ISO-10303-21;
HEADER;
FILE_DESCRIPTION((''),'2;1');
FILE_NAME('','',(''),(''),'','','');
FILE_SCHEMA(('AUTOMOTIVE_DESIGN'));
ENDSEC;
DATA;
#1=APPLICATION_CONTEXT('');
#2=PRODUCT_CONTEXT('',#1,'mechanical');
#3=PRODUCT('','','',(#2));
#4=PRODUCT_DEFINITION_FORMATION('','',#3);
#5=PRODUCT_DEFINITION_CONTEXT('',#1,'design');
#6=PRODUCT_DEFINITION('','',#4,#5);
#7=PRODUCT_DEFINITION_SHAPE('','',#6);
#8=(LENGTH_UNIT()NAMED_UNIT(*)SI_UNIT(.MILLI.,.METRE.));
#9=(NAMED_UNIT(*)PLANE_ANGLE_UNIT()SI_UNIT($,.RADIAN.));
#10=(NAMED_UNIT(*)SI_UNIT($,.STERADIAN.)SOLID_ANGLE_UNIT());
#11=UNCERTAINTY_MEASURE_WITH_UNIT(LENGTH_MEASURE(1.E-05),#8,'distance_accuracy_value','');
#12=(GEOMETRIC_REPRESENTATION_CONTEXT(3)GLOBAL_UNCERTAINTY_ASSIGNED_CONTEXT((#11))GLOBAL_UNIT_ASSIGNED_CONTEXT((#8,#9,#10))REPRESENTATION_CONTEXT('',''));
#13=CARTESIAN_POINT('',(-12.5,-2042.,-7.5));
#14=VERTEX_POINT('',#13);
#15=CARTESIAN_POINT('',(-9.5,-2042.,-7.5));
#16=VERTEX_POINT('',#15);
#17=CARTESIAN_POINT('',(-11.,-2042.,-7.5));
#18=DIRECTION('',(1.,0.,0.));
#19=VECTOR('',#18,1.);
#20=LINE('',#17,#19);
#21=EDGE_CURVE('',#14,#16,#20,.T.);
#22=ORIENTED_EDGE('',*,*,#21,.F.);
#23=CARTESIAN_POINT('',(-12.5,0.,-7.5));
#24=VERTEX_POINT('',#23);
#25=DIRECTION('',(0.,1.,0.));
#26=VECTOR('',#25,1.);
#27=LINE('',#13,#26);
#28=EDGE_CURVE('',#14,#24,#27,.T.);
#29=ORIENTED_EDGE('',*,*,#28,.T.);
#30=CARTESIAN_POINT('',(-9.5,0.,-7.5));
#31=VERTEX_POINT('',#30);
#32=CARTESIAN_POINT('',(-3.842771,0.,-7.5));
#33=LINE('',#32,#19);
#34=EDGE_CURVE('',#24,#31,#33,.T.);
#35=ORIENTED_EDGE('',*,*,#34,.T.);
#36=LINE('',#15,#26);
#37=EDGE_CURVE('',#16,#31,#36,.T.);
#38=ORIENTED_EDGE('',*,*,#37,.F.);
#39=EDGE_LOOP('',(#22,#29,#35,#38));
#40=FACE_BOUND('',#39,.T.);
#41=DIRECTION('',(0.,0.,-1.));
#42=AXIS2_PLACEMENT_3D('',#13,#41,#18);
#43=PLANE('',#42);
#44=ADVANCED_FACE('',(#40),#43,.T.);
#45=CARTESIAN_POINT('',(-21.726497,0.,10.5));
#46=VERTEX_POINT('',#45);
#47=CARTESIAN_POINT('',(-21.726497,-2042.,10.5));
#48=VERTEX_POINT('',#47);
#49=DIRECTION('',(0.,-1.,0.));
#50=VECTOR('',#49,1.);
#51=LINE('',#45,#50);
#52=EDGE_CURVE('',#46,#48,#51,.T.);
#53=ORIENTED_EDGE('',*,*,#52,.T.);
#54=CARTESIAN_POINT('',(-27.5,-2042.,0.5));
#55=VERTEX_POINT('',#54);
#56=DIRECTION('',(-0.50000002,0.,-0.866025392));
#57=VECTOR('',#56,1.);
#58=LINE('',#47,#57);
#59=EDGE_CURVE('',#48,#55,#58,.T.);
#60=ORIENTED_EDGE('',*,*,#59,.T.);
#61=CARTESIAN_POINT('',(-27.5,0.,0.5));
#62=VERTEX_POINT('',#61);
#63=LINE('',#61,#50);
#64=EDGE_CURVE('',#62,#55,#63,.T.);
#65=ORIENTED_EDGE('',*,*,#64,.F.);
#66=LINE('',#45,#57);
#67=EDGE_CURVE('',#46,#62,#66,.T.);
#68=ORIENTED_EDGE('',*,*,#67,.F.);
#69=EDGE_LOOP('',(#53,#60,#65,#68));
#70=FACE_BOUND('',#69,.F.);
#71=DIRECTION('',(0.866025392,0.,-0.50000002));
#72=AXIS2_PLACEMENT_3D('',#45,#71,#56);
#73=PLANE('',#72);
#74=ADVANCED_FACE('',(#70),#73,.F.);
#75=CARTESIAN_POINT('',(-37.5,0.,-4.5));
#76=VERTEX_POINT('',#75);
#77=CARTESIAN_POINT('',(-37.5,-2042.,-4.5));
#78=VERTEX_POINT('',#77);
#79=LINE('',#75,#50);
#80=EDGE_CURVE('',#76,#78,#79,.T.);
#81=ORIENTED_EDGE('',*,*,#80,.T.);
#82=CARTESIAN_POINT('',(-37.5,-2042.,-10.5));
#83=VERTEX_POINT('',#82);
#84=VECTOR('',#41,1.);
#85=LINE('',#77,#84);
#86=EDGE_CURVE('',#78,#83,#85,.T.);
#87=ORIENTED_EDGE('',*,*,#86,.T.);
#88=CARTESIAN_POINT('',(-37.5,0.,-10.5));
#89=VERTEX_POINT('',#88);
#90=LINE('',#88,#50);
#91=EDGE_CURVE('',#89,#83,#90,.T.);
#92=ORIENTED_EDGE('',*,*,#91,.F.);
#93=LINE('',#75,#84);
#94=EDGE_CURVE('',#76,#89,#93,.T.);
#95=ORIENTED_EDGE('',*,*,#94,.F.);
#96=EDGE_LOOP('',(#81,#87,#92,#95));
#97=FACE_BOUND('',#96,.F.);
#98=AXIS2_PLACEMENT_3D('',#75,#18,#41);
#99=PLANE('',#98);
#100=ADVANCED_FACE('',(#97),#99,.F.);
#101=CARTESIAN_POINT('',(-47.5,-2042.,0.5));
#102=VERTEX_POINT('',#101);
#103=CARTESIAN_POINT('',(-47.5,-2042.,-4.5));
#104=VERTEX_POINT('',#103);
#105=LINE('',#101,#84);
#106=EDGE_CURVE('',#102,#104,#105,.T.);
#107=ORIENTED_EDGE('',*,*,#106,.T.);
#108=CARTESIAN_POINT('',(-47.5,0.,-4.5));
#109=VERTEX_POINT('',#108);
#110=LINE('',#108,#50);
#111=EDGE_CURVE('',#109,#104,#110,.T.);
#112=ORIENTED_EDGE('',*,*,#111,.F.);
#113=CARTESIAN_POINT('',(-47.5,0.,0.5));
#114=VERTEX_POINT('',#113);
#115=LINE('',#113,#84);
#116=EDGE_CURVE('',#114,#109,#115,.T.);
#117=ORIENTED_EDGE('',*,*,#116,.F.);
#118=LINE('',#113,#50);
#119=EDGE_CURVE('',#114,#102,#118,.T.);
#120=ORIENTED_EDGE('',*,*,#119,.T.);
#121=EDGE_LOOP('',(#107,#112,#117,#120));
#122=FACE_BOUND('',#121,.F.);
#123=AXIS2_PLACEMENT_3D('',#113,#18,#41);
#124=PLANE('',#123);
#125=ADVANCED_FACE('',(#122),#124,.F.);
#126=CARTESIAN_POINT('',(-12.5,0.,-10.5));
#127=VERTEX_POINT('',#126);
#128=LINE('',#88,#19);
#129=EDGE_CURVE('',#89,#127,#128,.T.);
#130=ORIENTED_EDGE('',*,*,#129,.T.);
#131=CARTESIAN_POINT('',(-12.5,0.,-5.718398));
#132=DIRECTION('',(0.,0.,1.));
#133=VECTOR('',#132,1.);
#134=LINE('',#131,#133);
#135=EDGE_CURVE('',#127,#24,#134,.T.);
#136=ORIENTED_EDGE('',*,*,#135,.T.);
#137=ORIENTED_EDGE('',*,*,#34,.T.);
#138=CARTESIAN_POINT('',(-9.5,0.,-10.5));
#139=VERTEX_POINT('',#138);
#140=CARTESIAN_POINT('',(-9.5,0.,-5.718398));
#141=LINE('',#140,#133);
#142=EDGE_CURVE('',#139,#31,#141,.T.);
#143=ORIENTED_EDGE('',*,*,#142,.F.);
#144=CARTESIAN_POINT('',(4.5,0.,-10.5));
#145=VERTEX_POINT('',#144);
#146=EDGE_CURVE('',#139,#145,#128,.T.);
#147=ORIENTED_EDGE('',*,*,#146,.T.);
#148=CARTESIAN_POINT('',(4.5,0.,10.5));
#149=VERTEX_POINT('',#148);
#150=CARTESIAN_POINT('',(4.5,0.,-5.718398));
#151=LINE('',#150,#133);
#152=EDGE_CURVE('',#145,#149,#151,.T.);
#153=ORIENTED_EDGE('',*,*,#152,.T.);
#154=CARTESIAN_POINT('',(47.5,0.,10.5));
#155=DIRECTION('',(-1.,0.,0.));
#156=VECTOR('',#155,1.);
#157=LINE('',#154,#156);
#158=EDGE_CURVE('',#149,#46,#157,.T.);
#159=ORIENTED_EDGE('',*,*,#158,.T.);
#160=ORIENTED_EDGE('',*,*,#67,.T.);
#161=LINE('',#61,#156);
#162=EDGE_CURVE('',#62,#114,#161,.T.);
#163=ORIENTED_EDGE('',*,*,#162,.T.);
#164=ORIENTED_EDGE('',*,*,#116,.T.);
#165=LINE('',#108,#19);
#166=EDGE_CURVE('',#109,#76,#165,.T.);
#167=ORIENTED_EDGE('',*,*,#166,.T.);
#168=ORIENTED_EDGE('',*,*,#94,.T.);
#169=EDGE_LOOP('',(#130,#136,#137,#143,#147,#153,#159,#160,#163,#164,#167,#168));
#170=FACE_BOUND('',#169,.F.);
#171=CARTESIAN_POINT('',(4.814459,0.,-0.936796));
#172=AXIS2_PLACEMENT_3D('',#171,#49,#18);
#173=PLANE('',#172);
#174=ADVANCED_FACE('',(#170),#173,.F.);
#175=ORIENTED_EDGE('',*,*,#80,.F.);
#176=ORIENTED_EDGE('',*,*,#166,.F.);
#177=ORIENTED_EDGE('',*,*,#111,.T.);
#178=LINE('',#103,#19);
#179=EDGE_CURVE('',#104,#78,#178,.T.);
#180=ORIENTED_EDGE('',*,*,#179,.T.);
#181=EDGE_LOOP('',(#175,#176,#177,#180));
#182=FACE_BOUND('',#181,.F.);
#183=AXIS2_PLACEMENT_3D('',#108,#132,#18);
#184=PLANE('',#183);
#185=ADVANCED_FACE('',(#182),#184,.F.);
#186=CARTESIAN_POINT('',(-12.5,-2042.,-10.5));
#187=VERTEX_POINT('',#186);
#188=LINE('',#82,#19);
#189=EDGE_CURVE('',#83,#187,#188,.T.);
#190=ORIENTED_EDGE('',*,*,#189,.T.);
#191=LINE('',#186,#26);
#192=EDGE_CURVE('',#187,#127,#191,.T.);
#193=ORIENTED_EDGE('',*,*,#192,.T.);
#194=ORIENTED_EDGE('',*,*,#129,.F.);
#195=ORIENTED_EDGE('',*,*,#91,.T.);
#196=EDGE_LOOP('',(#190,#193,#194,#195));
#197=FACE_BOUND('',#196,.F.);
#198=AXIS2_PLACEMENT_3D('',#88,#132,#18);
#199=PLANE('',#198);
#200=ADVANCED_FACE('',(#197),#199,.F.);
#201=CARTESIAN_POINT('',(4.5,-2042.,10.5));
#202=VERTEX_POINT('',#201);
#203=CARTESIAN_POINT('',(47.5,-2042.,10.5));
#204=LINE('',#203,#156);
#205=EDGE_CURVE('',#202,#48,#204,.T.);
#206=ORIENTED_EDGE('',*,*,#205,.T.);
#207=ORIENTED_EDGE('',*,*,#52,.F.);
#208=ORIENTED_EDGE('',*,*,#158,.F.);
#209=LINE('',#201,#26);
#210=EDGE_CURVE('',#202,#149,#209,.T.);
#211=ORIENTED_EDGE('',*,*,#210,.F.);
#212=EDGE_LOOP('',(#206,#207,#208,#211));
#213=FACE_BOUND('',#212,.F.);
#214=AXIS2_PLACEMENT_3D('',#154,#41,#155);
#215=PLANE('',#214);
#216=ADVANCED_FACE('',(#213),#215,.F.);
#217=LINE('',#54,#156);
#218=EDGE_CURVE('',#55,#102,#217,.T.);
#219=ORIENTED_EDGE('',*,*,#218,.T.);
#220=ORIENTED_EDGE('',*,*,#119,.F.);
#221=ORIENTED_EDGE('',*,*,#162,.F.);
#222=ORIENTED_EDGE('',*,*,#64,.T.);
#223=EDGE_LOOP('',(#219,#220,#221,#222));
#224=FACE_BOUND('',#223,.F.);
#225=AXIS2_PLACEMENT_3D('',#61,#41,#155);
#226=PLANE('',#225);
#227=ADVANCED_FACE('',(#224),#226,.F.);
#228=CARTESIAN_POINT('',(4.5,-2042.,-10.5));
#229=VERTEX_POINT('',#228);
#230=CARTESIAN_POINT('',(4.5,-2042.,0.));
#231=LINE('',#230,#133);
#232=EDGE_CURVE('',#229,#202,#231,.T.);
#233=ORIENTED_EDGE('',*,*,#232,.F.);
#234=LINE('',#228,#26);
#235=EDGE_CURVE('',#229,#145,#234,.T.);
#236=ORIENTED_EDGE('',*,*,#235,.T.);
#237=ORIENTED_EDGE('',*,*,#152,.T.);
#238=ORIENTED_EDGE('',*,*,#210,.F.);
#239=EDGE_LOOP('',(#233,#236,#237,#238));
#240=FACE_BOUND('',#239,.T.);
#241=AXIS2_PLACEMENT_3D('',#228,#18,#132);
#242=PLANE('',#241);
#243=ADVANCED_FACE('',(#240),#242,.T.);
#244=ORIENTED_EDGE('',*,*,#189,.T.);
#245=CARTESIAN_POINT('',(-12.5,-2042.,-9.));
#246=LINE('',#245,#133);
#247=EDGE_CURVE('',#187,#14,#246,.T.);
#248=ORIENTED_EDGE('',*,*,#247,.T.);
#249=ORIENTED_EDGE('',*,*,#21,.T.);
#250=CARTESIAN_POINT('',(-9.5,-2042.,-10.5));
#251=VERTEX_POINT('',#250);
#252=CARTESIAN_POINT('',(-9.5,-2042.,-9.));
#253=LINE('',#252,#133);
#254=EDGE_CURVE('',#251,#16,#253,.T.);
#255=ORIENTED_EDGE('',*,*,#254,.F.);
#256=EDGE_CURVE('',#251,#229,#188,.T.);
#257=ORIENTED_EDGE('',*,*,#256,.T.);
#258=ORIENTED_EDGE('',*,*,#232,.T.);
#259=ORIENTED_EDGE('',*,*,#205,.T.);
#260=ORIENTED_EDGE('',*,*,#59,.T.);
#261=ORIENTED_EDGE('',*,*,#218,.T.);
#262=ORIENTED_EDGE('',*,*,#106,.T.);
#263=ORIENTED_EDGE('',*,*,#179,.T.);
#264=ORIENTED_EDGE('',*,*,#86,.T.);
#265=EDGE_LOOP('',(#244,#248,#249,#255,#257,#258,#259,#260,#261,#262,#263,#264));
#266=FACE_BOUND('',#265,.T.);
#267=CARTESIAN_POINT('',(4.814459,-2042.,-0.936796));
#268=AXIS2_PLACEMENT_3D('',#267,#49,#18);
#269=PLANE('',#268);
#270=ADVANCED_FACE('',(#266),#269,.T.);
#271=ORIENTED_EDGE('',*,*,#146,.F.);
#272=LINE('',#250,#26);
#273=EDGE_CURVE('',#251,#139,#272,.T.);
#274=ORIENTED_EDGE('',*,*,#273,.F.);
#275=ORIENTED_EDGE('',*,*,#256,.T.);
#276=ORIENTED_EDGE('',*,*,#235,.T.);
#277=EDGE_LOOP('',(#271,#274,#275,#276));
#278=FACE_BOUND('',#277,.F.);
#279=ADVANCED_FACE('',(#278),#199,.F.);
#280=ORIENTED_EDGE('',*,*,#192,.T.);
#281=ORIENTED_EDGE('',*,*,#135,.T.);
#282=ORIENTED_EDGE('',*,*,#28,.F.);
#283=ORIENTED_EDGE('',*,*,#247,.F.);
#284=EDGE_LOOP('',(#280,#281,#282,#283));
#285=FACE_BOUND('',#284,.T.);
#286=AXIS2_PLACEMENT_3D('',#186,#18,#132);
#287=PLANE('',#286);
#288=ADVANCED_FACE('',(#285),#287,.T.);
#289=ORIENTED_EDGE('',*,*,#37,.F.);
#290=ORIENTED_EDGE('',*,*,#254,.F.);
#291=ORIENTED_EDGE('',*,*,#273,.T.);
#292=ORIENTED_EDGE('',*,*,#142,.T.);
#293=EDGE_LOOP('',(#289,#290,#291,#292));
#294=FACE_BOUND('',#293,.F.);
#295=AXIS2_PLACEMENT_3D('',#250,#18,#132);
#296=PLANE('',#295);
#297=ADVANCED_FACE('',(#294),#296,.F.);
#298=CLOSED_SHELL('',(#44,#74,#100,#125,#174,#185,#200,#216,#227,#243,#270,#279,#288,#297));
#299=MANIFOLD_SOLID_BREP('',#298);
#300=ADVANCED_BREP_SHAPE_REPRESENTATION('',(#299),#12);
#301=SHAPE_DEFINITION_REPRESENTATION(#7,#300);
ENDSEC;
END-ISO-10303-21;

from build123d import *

# Parameters (mm, degrees)
F1_DEPTH = 2042
F2_W     = 3
F2_H     = 3
F2_W_2   = 43
F2_H_2   = 21
F3_DEPTH = 2042.001


with BuildPart() as f1:
    # F0 (on Front) → F1 (new body)
    with BuildSketch(Plane.XZ):
        Polygon((47.5, 10.5), (-21.726497, 10.5), (-27.5, 0.5), (-47.5, 0.5), (-47.5, -4.5), (-37.5, -4.5), (-37.5, -10.5), (47.5, -10.5), (47.5, -4.5), (37.5, -4.5), (37.5, 0.5), (47.5, 0.5), align=None)
    extrude(amount=F1_DEPTH)

    # F2 (on face) → F3 (cut, through all)
    with BuildSketch(Plane.XZ.offset(2042)):
        with Locations((-11, -9)):
            Rectangle(F2_W, F2_H)
        with Locations((26, 0)):
            Rectangle(F2_W_2, F2_H_2)
    extrude(amount=-F3_DEPTH, mode=Mode.SUBTRACT)


solid = f1.part
